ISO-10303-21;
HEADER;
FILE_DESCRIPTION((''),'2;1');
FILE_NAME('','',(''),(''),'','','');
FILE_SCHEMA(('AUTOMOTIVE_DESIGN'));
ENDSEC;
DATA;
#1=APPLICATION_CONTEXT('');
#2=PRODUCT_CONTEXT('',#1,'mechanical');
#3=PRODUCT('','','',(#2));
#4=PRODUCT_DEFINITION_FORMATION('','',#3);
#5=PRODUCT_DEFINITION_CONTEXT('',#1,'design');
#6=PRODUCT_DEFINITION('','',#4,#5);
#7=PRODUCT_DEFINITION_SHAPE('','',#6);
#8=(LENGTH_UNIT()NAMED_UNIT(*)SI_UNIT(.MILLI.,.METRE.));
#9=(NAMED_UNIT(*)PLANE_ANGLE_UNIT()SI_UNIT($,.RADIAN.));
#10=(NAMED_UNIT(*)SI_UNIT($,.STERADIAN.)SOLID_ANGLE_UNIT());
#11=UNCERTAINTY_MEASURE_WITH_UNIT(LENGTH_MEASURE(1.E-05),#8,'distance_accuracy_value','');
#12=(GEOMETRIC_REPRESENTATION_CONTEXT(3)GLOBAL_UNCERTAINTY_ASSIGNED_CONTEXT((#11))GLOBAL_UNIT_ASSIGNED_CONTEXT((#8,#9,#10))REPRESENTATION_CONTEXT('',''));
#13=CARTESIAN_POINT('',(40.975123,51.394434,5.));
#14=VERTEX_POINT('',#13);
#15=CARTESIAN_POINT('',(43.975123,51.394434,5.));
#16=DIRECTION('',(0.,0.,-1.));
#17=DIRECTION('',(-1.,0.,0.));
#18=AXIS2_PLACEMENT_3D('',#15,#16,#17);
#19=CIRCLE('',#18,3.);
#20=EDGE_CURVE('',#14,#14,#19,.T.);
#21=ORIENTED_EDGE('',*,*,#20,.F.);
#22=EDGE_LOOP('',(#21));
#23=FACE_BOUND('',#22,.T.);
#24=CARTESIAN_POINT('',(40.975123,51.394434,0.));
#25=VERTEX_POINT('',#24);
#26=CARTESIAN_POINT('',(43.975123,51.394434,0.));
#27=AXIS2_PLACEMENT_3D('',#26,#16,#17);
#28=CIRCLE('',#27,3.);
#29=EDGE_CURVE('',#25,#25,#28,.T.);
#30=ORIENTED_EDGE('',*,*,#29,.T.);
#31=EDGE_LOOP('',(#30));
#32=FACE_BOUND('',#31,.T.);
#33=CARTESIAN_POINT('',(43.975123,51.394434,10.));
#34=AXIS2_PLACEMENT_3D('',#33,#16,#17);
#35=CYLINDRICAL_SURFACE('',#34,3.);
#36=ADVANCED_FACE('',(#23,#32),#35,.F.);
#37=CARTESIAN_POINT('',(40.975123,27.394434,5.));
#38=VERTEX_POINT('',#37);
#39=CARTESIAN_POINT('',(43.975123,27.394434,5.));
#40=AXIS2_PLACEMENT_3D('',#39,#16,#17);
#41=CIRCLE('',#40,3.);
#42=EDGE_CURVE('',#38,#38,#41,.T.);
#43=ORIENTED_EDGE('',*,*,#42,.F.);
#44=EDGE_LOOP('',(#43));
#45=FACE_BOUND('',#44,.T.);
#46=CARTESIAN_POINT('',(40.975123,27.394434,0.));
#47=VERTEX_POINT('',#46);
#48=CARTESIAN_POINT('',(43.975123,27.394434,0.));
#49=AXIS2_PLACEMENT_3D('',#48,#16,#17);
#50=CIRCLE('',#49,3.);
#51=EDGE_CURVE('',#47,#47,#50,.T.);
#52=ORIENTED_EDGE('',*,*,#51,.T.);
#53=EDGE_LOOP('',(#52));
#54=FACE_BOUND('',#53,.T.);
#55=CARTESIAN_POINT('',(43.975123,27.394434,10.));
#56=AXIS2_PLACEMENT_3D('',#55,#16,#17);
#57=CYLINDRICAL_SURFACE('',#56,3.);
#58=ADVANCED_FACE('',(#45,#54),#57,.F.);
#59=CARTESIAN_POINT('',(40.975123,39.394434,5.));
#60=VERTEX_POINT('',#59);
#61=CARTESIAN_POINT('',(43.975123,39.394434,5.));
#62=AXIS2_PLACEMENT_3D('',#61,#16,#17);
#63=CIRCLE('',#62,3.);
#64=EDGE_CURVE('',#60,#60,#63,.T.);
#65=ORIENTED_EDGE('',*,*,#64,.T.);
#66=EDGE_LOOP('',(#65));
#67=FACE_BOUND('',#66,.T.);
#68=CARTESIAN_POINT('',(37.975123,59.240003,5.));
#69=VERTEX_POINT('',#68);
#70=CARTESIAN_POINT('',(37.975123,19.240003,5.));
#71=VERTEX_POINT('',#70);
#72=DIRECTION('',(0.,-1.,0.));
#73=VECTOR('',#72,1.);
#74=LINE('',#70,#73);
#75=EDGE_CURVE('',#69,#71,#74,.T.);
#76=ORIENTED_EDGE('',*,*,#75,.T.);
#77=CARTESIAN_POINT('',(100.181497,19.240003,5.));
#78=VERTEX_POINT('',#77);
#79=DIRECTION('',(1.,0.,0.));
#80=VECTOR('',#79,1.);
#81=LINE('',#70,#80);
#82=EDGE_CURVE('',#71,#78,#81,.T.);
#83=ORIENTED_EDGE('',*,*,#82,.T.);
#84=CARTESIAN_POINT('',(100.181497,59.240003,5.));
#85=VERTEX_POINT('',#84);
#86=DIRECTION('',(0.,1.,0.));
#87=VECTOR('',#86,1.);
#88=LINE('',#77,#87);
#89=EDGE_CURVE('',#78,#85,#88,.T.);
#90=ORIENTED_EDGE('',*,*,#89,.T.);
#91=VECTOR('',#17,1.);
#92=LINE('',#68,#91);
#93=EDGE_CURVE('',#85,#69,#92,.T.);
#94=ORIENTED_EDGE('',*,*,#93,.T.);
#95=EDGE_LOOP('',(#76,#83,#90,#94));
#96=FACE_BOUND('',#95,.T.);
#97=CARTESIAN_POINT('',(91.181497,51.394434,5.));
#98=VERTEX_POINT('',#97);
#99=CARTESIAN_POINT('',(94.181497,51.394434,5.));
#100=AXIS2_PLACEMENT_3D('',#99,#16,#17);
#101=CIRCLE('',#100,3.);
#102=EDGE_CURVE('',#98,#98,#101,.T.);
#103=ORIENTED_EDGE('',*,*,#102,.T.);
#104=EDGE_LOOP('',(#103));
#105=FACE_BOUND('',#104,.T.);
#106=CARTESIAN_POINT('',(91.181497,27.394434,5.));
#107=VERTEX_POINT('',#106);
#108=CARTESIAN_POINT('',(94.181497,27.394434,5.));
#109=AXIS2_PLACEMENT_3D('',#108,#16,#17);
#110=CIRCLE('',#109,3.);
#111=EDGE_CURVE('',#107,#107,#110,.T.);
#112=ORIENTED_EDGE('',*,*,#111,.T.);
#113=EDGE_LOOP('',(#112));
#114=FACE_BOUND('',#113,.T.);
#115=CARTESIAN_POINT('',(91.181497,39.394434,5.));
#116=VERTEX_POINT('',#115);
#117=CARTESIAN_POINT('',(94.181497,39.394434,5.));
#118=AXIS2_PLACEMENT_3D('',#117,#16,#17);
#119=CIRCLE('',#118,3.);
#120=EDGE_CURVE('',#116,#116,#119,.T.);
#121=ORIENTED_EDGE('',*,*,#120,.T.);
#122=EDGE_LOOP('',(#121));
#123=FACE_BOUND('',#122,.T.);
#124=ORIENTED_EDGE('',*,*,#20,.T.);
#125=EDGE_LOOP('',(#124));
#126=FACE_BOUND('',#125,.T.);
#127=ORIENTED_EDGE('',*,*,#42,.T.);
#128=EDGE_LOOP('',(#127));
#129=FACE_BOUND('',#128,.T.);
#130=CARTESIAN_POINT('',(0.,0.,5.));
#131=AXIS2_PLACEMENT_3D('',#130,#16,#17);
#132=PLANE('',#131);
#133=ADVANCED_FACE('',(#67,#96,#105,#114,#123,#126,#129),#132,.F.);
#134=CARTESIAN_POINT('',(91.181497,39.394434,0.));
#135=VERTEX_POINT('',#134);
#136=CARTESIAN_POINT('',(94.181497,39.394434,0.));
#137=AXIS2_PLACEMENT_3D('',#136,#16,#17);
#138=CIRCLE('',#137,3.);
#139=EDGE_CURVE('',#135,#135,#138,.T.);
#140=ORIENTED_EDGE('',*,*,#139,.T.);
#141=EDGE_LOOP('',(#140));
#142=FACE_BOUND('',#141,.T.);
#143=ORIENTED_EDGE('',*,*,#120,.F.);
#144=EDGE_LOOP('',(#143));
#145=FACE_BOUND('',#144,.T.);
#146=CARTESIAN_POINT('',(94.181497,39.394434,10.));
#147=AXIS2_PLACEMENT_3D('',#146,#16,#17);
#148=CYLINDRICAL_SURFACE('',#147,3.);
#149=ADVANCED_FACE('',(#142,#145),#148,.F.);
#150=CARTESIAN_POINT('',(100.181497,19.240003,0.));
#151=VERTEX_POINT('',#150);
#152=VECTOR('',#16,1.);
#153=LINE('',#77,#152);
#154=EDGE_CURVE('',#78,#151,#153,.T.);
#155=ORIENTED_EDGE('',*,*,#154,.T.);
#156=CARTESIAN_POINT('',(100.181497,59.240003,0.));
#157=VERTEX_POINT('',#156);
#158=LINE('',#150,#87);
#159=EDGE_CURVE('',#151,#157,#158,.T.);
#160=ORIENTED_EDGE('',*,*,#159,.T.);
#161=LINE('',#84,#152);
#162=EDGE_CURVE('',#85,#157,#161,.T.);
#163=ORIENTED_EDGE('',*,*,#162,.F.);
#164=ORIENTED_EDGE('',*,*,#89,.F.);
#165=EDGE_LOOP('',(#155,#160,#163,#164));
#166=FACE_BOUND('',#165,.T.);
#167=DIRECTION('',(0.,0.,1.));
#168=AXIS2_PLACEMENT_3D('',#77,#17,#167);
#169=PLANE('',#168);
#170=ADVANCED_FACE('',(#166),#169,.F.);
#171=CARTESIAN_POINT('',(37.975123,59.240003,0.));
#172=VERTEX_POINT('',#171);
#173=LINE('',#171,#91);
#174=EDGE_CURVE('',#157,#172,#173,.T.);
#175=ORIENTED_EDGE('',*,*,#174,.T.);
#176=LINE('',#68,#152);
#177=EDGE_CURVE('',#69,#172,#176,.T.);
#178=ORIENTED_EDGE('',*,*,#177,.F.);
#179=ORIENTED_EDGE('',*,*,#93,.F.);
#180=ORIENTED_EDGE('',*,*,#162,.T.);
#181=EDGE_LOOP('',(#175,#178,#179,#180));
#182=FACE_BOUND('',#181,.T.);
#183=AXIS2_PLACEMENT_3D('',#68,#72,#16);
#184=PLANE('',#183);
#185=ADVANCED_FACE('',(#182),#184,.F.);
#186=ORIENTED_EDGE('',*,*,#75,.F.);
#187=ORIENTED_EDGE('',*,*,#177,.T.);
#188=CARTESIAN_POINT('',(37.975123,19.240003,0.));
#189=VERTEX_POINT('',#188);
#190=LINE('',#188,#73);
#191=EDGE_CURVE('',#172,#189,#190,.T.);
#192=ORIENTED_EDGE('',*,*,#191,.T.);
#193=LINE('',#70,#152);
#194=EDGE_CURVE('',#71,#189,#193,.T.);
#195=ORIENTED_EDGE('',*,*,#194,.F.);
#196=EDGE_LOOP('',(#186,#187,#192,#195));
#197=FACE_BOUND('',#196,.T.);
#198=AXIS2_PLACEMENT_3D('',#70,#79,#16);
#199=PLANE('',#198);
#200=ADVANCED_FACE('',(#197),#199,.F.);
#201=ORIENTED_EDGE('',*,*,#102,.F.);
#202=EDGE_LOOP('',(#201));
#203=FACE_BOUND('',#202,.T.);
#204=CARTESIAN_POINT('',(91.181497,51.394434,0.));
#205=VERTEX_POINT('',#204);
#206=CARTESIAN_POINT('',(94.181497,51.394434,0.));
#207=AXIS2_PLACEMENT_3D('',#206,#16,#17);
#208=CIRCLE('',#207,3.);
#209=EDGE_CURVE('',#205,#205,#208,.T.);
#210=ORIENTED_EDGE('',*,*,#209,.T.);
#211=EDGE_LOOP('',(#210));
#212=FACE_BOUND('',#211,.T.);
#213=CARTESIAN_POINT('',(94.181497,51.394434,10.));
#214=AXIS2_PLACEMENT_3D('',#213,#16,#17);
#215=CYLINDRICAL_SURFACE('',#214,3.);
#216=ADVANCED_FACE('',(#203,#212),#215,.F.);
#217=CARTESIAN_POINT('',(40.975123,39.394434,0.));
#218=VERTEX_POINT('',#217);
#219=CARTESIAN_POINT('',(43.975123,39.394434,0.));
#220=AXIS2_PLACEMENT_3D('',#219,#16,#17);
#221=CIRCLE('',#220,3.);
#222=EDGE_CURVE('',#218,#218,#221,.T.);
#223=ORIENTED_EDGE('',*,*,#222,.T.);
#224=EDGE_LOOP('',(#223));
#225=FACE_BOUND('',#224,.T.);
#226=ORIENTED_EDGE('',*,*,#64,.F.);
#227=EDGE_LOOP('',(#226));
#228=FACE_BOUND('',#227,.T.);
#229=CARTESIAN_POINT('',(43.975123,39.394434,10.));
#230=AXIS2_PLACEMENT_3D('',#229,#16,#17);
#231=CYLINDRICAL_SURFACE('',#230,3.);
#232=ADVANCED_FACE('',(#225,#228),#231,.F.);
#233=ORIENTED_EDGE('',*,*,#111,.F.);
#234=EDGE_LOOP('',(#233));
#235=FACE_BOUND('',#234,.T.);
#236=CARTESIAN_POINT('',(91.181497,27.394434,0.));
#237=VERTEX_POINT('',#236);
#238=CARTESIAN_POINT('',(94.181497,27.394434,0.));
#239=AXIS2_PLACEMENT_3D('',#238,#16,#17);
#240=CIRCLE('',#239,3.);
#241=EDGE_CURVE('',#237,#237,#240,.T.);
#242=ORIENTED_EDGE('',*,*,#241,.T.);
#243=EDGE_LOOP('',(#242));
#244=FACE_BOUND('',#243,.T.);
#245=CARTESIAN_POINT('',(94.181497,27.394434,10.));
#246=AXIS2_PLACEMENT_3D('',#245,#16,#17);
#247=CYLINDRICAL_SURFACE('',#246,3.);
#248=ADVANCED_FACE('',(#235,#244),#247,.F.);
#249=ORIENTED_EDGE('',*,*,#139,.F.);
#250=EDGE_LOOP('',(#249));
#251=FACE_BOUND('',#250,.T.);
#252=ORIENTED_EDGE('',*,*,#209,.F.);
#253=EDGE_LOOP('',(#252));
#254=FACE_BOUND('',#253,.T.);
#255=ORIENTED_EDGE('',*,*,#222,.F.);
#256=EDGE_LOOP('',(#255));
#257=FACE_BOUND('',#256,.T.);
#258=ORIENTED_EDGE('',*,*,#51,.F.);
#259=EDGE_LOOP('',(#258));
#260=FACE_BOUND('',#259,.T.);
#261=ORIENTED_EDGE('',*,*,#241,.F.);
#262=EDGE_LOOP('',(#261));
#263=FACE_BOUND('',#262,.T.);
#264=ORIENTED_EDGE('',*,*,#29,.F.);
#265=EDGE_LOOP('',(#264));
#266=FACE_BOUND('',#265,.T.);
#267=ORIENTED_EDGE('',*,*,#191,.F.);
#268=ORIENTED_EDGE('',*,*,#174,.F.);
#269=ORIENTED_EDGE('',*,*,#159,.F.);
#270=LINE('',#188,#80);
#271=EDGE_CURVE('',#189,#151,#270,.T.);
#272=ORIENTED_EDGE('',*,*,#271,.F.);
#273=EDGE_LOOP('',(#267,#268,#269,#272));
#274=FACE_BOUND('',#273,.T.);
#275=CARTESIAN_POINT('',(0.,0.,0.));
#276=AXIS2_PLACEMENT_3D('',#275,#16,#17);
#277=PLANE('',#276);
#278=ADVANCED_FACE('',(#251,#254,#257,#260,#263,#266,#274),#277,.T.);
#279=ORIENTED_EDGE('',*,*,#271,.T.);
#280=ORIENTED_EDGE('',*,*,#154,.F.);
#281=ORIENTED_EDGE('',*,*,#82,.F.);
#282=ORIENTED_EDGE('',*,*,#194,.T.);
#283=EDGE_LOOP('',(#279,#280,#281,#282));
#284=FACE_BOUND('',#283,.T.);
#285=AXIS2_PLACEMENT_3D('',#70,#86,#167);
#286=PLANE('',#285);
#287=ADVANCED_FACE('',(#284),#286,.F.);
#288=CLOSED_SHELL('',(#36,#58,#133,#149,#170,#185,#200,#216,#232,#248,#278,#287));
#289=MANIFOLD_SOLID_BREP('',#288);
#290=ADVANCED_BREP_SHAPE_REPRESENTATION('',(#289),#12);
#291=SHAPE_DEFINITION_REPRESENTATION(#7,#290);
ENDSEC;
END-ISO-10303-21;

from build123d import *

# Parameters (mm, degrees)
CROQUIS1_W              = 62.206373562
CROQUIS1_H              = 40
SALIENTE_EXTRUIR1_DEPTH = 5
CROQUIS9_R              = 3
CORTAR_EXTRUIR2_DEPTH   = 10


with BuildPart() as part:
    # Croquis1 → Saliente-Extruir1 (new body)
    with BuildSketch(Plane.XY):
        with Locations((69.078310012, 39.240002825)):
            Rectangle(CROQUIS1_W, CROQUIS1_H)
    extrude(amount=SALIENTE_EXTRUIR1_DEPTH)

    # Croquis9 → Cortar-Extruir2 (cut)
    with BuildSketch(Plane(origin=(0, 0, 0), x_dir=(-1, 0, 0), z_dir=(0, 0, -1))):
        with Locations((-94.181496793, 27.39443436)):
            Circle(CROQUIS9_R)
        with Locations((-94.181496793, 39.39443436)):
            Circle(CROQUIS9_R)
        with Locations((-94.181496793, 51.39443436)):
            Circle(CROQUIS9_R)
        with Locations((-43.975123231, 27.39443436)):
            Circle(CROQUIS9_R)
        with Locations((-43.975123231, 39.39443436)):
            Circle(CROQUIS9_R)
        with Locations((-43.975123231, 51.39443436)):
            Circle(CROQUIS9_R)
    extrude(amount=-CORTAR_EXTRUIR2_DEPTH, mode=Mode.SUBTRACT)


solid = part.part
